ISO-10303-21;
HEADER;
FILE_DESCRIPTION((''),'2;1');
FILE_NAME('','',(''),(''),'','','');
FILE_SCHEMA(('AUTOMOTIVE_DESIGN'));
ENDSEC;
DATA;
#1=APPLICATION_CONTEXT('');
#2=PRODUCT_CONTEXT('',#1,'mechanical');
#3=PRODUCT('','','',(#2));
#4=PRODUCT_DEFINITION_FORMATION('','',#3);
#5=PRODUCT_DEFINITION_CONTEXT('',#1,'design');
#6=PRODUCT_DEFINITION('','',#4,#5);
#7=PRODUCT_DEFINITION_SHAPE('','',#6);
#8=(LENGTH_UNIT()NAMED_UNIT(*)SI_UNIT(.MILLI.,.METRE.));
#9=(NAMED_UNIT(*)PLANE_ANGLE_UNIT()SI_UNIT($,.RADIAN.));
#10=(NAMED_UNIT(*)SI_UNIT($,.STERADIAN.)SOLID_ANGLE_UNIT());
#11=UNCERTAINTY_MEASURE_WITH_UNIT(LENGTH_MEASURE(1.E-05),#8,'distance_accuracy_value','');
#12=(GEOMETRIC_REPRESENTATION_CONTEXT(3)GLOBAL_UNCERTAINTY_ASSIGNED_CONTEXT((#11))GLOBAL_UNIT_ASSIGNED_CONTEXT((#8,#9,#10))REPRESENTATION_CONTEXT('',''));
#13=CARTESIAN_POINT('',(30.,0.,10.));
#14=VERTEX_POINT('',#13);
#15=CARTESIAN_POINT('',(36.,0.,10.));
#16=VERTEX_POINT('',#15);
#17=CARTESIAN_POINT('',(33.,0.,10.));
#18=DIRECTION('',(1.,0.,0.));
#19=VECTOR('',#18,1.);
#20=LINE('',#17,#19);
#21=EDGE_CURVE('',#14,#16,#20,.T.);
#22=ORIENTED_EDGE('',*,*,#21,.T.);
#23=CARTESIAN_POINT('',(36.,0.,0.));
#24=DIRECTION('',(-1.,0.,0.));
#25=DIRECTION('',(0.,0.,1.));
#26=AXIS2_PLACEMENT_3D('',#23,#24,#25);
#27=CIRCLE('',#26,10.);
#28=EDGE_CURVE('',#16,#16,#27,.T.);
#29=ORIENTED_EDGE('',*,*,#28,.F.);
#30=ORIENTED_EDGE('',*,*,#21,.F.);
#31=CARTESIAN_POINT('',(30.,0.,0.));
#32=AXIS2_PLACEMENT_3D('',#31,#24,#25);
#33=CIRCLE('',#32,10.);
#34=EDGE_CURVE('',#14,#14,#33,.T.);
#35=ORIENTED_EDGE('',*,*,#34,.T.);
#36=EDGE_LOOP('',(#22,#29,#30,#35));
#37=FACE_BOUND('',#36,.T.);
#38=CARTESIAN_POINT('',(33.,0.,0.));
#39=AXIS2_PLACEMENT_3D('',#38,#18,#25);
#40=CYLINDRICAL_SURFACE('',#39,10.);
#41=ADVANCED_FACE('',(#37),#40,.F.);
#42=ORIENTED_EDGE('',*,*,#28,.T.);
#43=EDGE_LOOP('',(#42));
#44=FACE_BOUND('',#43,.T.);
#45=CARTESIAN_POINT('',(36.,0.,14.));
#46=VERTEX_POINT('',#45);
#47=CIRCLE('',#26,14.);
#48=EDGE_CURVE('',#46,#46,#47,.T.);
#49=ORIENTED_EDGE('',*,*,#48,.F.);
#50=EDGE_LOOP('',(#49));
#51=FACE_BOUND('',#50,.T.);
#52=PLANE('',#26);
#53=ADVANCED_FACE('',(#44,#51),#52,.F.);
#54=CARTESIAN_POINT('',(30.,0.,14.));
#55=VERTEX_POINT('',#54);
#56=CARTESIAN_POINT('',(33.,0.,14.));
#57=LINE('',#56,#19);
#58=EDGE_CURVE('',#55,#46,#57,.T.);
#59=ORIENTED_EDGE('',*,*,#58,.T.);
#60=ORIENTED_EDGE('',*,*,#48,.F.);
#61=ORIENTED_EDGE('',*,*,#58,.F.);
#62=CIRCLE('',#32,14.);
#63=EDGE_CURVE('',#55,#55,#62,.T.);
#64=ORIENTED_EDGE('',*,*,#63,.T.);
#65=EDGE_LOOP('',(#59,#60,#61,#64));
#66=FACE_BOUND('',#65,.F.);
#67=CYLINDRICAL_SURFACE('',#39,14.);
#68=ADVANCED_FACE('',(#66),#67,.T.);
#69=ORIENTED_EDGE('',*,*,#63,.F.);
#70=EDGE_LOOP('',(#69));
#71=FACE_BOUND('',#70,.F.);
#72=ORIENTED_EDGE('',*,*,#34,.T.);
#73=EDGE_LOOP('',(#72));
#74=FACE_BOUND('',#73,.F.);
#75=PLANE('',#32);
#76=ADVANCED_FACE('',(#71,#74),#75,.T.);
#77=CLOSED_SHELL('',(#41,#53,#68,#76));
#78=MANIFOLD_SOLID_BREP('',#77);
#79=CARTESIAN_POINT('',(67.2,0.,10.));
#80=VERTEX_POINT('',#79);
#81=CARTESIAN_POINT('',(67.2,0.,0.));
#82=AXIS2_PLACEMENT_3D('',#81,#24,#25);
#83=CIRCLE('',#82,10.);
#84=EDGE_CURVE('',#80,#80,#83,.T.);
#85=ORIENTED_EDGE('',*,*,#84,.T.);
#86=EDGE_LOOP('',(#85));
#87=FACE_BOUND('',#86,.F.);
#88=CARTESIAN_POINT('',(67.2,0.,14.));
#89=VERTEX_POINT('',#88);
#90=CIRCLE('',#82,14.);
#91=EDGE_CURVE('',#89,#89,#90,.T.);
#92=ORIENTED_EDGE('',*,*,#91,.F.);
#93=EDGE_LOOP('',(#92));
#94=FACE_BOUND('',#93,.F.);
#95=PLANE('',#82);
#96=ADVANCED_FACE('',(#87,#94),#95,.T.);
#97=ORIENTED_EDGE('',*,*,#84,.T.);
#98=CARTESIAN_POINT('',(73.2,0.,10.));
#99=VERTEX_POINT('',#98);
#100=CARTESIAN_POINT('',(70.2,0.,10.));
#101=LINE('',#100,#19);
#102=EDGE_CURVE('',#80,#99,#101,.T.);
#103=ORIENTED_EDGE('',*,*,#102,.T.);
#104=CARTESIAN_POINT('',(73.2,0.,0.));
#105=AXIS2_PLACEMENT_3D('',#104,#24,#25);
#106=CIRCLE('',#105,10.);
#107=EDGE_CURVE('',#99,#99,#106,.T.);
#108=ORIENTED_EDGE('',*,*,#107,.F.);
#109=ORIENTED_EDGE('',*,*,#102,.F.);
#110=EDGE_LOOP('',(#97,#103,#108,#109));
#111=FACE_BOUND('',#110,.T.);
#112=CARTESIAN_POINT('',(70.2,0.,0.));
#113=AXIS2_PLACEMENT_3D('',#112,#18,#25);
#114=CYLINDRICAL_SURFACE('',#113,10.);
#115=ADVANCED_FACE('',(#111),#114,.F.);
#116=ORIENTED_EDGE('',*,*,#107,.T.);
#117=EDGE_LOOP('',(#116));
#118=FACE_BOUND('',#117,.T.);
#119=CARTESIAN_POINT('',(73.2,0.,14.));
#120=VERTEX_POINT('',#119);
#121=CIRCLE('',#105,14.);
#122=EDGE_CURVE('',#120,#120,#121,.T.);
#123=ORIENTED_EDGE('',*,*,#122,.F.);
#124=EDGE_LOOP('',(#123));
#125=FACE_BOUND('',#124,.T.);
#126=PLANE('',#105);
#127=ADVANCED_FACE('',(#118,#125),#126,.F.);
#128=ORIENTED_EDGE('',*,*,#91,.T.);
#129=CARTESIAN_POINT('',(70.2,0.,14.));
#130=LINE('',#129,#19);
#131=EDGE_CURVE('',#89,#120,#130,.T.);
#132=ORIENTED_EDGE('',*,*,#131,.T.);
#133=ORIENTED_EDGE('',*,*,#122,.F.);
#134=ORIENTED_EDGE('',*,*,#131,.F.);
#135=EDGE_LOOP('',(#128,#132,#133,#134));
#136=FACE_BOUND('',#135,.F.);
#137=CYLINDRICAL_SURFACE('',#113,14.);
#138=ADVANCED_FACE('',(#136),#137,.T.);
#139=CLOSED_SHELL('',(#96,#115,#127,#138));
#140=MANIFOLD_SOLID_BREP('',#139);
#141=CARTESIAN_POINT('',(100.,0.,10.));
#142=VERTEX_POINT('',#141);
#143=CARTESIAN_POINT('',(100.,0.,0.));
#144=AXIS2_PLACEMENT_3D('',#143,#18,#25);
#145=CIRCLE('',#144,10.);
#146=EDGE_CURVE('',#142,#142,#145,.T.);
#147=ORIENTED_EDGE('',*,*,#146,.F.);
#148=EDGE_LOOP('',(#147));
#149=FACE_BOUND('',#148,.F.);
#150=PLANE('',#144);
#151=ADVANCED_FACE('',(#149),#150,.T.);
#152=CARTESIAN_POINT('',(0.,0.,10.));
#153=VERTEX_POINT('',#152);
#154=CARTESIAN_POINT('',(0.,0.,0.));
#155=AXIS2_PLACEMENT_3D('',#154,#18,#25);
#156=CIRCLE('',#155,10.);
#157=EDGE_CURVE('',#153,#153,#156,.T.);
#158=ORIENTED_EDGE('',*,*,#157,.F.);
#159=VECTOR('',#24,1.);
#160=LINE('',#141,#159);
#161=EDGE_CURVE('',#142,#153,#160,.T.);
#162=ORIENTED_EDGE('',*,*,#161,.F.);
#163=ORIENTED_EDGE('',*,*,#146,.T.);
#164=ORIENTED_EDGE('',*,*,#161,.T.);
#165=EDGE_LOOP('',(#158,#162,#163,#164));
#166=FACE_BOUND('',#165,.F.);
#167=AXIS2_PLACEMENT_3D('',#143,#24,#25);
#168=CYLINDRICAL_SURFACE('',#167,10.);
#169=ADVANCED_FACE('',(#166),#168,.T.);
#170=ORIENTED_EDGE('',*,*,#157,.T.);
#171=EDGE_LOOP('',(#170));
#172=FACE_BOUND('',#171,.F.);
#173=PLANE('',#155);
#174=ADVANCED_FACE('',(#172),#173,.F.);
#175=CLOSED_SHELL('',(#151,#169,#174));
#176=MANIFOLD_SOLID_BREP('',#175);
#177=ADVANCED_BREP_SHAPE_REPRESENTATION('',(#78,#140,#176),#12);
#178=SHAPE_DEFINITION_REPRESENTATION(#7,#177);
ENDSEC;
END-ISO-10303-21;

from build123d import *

# Parameters (mm, degrees)
F0_W = 6
F0_H = 4


with BuildPart() as f1:
    # F0 (on Front) → F1 (revolve)
    with BuildSketch(Plane.XZ):
        Polygon((0, 10), (0, 0), (100, 0), (100, 10), (73.2, 10), (67.2, 10), (36, 10), (30, 10), align=None)
    revolve(axis=Axis((1.207729, 0, 0), (1, 0, 0)))


with BuildPart() as f2:
    # F0 (on Front) → F2 (revolve)
    with BuildSketch(Plane.XZ):
        with Locations((70.2, 12)):
            Rectangle(F0_W, F0_H)
        with Locations((33, 12)):
            Rectangle(F0_W, F0_H)
    revolve(axis=Axis((50, 0, 0), (-1, 0, 0)))


solid = Compound([f1.part, f2.part])
